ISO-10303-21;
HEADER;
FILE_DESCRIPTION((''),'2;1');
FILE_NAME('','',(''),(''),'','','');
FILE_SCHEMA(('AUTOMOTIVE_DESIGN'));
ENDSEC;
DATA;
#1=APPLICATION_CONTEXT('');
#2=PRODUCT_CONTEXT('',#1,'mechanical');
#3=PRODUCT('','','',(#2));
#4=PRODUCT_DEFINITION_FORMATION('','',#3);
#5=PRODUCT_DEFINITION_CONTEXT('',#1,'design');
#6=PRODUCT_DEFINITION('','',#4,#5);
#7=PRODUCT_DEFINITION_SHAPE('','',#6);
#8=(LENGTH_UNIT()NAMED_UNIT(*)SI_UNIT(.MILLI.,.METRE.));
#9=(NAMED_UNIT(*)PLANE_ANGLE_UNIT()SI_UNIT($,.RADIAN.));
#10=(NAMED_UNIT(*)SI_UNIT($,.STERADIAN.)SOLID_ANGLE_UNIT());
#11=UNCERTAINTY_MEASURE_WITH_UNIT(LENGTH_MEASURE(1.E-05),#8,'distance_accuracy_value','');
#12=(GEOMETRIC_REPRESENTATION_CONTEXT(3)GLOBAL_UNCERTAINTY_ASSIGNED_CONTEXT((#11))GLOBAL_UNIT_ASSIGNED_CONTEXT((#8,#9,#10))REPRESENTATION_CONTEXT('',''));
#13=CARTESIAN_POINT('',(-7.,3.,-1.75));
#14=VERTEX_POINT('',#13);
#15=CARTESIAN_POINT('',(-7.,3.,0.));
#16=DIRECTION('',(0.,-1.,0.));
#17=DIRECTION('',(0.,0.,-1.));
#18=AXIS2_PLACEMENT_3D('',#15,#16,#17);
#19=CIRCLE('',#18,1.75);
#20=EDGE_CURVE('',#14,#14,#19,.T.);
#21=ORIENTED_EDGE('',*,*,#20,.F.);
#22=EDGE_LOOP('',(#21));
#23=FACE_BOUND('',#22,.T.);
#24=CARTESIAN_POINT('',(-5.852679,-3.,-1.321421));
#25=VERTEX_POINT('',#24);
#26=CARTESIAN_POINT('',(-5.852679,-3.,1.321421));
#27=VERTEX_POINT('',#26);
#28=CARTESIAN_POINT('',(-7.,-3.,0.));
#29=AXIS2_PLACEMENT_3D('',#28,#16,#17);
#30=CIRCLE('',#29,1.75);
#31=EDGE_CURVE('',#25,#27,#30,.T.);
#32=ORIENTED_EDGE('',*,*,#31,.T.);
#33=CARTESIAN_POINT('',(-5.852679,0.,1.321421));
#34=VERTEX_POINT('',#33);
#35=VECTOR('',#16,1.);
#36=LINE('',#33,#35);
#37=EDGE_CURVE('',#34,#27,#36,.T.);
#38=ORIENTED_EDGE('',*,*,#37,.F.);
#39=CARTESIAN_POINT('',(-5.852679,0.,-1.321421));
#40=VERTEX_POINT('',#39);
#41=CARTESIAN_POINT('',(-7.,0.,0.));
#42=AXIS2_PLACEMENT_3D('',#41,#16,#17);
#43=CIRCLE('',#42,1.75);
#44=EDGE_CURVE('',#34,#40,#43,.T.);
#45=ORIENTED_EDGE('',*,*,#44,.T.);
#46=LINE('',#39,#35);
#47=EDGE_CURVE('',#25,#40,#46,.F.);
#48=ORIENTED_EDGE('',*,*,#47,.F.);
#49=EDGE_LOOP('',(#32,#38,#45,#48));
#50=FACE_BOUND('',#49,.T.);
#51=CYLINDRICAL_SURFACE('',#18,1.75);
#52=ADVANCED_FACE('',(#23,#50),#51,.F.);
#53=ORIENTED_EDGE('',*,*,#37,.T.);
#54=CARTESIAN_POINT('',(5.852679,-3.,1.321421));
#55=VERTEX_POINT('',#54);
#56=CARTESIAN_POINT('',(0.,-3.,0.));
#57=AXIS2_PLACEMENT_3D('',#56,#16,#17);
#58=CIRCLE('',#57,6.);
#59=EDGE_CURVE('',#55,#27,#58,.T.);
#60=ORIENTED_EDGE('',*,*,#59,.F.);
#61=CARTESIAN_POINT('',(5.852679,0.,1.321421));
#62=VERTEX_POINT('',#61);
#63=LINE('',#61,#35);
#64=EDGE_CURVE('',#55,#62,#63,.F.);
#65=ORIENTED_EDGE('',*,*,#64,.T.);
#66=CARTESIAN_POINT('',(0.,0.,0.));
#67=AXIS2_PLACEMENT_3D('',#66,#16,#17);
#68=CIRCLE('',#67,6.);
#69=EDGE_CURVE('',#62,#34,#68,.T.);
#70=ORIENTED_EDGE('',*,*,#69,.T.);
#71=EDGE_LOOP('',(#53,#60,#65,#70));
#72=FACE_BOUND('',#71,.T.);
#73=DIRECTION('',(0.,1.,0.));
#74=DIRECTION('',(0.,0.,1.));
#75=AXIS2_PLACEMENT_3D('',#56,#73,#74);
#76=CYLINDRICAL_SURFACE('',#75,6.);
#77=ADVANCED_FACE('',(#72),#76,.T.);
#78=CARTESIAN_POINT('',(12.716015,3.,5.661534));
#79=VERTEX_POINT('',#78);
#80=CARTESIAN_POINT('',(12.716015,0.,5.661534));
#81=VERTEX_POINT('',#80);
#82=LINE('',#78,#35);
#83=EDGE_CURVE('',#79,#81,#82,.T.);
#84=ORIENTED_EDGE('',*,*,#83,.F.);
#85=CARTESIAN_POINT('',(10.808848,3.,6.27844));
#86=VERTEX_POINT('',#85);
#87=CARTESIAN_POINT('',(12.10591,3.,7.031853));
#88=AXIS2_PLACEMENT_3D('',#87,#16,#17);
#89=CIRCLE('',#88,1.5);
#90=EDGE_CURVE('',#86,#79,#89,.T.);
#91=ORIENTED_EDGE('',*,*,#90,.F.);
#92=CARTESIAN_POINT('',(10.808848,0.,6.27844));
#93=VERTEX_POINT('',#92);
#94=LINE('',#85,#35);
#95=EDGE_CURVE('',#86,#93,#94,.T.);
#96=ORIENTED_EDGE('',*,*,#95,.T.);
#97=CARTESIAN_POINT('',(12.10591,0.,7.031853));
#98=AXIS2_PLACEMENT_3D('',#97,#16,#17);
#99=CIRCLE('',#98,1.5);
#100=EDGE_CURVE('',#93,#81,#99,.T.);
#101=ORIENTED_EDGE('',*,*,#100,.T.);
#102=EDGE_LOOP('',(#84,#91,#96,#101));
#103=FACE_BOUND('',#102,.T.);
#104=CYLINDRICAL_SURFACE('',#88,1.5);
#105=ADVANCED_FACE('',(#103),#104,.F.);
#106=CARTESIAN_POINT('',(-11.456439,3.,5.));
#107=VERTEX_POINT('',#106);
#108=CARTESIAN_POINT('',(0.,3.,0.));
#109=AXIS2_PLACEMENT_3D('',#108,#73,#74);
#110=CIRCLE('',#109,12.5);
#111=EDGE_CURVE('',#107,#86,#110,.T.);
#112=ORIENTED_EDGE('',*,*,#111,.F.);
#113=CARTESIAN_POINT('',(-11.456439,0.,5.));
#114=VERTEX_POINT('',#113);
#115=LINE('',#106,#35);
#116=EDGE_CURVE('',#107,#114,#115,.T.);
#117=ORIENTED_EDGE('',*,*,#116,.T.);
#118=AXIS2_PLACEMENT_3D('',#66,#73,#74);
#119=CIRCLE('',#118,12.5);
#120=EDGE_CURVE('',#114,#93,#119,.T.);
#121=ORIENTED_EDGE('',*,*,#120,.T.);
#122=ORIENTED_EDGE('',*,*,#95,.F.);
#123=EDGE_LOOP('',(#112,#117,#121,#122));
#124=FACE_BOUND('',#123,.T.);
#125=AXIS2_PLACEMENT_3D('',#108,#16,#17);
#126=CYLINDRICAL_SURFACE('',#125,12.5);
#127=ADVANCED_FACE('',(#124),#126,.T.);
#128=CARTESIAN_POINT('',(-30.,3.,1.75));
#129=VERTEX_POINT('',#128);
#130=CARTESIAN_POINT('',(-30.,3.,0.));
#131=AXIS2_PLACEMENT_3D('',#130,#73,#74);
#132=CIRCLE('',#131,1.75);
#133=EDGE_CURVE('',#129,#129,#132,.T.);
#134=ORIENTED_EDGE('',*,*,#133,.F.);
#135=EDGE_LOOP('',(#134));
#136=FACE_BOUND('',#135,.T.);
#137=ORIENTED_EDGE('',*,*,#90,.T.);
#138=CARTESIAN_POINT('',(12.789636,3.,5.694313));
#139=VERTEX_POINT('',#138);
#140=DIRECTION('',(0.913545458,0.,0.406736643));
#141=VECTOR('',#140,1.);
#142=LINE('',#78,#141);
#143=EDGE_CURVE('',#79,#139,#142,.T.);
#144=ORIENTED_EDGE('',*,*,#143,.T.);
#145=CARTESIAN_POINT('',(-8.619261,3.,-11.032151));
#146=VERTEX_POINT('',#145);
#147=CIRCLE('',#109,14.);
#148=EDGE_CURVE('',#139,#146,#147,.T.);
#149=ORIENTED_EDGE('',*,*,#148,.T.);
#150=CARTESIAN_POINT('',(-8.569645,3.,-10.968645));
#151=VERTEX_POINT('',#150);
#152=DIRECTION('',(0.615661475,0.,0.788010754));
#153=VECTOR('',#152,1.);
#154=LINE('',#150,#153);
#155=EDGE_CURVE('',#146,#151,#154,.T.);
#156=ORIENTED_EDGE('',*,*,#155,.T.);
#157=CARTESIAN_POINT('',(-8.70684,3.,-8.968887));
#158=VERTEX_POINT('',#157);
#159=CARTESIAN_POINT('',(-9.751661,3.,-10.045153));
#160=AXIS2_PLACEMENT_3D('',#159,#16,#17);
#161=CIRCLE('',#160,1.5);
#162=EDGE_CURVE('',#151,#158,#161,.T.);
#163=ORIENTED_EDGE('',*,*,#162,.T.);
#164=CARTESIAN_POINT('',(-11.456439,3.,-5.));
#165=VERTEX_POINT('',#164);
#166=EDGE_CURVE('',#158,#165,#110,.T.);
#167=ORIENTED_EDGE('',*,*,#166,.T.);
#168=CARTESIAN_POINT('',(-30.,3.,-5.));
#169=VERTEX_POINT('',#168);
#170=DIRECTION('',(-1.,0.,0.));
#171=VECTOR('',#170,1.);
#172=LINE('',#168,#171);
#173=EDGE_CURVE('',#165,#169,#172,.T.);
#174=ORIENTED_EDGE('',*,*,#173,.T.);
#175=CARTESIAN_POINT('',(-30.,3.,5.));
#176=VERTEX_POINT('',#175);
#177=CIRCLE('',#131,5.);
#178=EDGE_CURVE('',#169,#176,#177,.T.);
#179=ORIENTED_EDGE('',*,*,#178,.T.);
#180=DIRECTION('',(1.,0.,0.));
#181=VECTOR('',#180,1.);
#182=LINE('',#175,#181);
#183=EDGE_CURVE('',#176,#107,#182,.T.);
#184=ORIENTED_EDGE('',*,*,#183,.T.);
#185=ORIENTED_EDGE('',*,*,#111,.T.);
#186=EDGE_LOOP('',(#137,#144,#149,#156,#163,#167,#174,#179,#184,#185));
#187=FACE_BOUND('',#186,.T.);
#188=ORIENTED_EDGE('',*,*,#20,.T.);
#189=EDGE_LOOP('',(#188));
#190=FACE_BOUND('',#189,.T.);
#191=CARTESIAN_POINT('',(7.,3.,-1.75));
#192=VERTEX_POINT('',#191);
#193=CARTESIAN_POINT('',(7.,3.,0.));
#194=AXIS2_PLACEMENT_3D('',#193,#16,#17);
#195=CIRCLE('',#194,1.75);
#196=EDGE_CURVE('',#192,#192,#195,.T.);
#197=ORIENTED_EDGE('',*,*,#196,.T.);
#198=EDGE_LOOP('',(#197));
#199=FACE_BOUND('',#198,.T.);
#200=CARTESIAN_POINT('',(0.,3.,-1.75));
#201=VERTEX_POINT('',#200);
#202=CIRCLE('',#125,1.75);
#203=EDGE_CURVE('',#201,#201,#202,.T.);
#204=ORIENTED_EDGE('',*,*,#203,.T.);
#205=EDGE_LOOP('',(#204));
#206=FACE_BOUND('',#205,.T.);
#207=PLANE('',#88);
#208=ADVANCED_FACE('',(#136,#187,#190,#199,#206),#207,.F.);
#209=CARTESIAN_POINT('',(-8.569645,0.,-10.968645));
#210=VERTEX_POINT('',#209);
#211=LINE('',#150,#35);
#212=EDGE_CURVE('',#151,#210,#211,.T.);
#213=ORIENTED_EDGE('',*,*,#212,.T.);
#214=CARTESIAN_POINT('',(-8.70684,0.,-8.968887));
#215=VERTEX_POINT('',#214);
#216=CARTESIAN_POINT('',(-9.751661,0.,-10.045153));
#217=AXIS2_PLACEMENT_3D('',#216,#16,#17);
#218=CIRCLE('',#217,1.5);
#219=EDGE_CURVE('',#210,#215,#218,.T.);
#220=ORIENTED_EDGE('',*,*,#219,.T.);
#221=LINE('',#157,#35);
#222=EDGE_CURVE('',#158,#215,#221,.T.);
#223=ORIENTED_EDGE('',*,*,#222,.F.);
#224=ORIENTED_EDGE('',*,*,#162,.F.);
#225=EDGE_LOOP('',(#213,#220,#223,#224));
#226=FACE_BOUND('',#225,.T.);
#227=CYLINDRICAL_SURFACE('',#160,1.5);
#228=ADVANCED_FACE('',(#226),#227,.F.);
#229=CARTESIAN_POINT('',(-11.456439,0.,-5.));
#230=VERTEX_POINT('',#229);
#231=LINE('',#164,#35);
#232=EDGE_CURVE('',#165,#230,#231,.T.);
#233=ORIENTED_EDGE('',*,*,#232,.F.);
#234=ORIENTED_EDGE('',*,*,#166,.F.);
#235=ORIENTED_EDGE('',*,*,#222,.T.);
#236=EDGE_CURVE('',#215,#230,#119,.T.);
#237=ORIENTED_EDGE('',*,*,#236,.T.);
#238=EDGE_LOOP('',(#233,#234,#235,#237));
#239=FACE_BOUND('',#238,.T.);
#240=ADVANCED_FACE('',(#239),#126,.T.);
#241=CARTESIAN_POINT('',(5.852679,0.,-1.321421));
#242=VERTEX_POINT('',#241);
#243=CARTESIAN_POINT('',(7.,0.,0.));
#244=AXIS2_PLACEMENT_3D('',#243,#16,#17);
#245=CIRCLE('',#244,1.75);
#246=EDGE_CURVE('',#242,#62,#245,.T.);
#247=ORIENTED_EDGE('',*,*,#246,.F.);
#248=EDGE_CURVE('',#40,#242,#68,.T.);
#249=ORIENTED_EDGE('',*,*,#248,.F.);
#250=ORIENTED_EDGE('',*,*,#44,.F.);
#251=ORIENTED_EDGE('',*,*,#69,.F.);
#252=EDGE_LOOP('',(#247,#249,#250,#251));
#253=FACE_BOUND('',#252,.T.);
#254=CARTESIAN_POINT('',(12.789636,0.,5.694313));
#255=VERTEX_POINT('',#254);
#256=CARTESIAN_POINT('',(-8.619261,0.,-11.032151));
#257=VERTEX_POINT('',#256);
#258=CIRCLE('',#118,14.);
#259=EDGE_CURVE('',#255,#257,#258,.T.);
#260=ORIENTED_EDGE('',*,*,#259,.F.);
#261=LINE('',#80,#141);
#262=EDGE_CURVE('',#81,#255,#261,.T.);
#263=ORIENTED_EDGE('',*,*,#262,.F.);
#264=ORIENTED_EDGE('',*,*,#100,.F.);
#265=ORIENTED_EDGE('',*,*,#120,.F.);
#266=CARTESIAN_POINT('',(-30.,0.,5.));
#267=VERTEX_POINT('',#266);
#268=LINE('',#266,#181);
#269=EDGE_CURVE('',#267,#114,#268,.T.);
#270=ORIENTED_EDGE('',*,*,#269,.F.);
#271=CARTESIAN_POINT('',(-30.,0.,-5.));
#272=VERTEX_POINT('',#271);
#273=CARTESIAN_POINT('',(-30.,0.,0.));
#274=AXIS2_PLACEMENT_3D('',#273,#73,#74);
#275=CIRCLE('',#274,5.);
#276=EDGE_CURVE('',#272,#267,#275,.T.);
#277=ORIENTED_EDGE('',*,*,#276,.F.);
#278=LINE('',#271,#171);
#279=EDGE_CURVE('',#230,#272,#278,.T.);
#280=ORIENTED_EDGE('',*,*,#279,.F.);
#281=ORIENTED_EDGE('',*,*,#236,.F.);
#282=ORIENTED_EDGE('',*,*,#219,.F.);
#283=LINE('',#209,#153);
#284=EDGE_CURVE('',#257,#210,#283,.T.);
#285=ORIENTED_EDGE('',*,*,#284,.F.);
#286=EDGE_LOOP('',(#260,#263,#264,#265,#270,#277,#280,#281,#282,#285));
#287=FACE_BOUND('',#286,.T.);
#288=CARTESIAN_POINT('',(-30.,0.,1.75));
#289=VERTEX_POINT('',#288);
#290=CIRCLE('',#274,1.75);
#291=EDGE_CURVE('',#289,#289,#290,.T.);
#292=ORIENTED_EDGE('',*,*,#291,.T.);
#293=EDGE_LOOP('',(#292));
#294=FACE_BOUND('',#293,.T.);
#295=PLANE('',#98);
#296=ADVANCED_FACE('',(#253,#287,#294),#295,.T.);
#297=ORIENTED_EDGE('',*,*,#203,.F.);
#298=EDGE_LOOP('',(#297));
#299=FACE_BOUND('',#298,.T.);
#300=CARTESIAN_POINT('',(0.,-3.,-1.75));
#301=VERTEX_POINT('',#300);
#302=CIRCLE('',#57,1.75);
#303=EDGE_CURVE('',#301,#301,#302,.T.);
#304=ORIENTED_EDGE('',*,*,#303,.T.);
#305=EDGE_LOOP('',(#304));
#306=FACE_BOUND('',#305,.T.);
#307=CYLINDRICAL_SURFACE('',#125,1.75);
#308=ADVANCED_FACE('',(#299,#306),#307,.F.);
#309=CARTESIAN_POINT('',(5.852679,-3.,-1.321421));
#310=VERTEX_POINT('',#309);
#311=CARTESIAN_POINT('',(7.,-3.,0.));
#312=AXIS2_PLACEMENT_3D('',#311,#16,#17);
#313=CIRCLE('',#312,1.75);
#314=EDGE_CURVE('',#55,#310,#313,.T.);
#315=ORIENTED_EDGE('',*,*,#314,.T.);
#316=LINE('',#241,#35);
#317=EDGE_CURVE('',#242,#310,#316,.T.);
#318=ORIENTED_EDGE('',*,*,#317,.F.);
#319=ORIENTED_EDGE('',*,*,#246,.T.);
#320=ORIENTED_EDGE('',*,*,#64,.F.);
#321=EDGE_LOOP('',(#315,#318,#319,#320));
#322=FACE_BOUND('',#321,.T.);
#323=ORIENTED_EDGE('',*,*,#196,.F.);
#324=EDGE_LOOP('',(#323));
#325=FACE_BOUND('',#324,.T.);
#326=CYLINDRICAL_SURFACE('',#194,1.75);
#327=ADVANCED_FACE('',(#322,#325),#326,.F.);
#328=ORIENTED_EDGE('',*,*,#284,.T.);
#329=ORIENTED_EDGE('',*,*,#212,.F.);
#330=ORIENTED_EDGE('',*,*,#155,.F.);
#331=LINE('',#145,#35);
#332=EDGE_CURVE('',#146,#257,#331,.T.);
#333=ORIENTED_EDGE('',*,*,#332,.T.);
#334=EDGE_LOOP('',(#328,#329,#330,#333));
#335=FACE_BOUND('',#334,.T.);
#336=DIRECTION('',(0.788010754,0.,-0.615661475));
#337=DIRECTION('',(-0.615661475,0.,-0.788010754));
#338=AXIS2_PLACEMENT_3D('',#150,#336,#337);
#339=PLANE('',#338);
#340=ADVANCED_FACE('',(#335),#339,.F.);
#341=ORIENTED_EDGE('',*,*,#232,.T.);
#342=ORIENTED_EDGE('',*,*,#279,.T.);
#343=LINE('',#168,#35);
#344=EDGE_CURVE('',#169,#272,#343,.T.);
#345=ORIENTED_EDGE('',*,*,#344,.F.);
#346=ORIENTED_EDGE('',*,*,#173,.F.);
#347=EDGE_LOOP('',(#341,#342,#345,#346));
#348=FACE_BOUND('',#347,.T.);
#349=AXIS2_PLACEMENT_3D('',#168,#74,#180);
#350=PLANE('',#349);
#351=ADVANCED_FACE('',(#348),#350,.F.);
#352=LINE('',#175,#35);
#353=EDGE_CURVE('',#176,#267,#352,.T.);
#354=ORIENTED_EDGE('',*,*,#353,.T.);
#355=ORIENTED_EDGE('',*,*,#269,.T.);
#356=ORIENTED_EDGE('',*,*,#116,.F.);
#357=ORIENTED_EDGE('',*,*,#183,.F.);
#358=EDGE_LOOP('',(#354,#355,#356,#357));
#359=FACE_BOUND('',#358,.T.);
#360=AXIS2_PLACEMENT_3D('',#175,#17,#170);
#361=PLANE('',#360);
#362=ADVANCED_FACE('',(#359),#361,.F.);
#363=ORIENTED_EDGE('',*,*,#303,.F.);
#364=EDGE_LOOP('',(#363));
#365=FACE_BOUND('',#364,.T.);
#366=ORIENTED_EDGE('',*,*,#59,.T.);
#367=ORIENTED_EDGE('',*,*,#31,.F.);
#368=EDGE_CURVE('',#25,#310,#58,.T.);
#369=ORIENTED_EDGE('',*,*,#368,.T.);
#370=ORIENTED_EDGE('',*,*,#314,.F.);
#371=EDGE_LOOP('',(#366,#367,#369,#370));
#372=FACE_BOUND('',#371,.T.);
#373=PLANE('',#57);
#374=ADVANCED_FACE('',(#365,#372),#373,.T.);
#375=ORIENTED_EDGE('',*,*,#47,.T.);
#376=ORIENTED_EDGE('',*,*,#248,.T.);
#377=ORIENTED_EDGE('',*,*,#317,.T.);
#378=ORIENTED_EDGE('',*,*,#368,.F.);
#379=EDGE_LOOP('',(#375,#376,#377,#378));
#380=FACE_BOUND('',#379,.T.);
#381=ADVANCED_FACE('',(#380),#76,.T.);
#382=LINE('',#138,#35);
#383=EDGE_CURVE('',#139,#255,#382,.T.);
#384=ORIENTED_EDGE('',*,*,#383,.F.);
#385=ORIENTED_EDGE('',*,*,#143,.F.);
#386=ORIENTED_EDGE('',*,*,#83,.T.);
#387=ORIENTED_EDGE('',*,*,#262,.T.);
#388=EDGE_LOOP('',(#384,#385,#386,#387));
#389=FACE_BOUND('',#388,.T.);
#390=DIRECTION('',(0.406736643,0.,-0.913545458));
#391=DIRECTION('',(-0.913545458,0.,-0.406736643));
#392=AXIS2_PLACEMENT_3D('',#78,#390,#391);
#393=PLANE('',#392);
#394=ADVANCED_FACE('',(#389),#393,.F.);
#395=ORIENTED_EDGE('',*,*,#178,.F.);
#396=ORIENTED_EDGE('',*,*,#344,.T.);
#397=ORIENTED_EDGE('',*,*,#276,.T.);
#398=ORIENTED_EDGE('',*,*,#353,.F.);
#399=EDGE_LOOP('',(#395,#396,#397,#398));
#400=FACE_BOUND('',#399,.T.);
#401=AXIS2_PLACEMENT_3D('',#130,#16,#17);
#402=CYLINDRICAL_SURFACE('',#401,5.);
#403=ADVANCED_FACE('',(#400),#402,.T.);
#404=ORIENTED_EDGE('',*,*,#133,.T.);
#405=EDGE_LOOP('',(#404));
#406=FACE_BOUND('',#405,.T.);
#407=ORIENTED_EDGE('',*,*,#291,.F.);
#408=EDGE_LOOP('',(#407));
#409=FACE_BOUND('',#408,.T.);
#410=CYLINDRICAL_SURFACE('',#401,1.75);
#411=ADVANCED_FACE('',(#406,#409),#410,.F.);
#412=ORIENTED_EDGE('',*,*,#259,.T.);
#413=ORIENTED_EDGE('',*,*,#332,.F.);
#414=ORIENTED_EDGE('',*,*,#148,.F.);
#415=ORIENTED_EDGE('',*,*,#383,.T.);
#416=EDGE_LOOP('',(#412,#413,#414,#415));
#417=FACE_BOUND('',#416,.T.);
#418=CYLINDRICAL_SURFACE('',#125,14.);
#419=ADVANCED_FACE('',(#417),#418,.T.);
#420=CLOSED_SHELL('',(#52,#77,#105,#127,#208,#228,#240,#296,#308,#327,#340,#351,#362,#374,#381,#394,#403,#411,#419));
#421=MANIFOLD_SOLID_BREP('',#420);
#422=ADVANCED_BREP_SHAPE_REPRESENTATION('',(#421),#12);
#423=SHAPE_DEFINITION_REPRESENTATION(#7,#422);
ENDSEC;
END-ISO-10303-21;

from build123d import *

# Parameters (mm, degrees)
SKETCH_1_R          = 1.75
EXTRUDE_1_DEPTH     = 3
SKETCH_2_R          = 6
EXTRUDE_2_DEPTH     = 3
SKETCH_3_R          = 1.75
CUT_EXTRUDE_1_DEPTH = 7


with BuildPart() as part:
    # Эскиз1 → Бобышка-Вытянуть1 (new body)
    with BuildSketch(Plane(origin=(0, 0, 0), x_dir=(1, 0, 0), z_dir=(0, 1, 0))):
        with BuildLine():
            Line((-30, 5), (-11.456439237, 5))
            ThreePointArc((-11.456439237, 5), (-10.2750901, 7.118463559), (-8.706840344, 8.968886844))
            ThreePointArc((-8.706840344, 8.968886844), (-8.255178852, 9.942485712), (-8.569645055, 10.968645479))
            Line((-8.569645055, 10.968645479), (-8.619260655, 11.03215055))
            ThreePointArc((-8.619260655, 11.03215055), (8.619260655, 11.03215055), (12.789636407, -5.694313003))
            Line((12.789636407, -5.694313003), (12.716014607, -5.661534466))
            ThreePointArc((12.716014607, -5.661534466), (11.644259912, -5.604659769), (10.808847895, -6.278439868))
            ThreePointArc((10.808847895, -6.278439868), (-0.716551297, -12.47944527), (-11.456439237, -5))
            Line((-11.456439237, -5), (-30, -5))
            ThreePointArc((-30, -5), (-35, 0), (-30, 5))
        make_face()
        with Locations((-30, 0)):
            Circle(SKETCH_1_R, mode=Mode.SUBTRACT)
    extrude(amount=EXTRUDE_1_DEPTH)

    # Эскиз2 → Бобышка-Вытянуть2 (add)
    with BuildSketch(Plane.XZ):
        Circle(SKETCH_2_R)
    extrude(amount=EXTRUDE_2_DEPTH)

    # Эскиз3 → Вырез-Вытянуть1 (cut, through all)
    with BuildSketch(Plane.XZ.offset(3)):
        Circle(SKETCH_3_R)
        with Locations((-7, 0)):
            Circle(SKETCH_3_R)
        with Locations((7, 0)):
            Circle(SKETCH_3_R)
    extrude(amount=-CUT_EXTRUDE_1_DEPTH, mode=Mode.SUBTRACT)


solid = part.part
